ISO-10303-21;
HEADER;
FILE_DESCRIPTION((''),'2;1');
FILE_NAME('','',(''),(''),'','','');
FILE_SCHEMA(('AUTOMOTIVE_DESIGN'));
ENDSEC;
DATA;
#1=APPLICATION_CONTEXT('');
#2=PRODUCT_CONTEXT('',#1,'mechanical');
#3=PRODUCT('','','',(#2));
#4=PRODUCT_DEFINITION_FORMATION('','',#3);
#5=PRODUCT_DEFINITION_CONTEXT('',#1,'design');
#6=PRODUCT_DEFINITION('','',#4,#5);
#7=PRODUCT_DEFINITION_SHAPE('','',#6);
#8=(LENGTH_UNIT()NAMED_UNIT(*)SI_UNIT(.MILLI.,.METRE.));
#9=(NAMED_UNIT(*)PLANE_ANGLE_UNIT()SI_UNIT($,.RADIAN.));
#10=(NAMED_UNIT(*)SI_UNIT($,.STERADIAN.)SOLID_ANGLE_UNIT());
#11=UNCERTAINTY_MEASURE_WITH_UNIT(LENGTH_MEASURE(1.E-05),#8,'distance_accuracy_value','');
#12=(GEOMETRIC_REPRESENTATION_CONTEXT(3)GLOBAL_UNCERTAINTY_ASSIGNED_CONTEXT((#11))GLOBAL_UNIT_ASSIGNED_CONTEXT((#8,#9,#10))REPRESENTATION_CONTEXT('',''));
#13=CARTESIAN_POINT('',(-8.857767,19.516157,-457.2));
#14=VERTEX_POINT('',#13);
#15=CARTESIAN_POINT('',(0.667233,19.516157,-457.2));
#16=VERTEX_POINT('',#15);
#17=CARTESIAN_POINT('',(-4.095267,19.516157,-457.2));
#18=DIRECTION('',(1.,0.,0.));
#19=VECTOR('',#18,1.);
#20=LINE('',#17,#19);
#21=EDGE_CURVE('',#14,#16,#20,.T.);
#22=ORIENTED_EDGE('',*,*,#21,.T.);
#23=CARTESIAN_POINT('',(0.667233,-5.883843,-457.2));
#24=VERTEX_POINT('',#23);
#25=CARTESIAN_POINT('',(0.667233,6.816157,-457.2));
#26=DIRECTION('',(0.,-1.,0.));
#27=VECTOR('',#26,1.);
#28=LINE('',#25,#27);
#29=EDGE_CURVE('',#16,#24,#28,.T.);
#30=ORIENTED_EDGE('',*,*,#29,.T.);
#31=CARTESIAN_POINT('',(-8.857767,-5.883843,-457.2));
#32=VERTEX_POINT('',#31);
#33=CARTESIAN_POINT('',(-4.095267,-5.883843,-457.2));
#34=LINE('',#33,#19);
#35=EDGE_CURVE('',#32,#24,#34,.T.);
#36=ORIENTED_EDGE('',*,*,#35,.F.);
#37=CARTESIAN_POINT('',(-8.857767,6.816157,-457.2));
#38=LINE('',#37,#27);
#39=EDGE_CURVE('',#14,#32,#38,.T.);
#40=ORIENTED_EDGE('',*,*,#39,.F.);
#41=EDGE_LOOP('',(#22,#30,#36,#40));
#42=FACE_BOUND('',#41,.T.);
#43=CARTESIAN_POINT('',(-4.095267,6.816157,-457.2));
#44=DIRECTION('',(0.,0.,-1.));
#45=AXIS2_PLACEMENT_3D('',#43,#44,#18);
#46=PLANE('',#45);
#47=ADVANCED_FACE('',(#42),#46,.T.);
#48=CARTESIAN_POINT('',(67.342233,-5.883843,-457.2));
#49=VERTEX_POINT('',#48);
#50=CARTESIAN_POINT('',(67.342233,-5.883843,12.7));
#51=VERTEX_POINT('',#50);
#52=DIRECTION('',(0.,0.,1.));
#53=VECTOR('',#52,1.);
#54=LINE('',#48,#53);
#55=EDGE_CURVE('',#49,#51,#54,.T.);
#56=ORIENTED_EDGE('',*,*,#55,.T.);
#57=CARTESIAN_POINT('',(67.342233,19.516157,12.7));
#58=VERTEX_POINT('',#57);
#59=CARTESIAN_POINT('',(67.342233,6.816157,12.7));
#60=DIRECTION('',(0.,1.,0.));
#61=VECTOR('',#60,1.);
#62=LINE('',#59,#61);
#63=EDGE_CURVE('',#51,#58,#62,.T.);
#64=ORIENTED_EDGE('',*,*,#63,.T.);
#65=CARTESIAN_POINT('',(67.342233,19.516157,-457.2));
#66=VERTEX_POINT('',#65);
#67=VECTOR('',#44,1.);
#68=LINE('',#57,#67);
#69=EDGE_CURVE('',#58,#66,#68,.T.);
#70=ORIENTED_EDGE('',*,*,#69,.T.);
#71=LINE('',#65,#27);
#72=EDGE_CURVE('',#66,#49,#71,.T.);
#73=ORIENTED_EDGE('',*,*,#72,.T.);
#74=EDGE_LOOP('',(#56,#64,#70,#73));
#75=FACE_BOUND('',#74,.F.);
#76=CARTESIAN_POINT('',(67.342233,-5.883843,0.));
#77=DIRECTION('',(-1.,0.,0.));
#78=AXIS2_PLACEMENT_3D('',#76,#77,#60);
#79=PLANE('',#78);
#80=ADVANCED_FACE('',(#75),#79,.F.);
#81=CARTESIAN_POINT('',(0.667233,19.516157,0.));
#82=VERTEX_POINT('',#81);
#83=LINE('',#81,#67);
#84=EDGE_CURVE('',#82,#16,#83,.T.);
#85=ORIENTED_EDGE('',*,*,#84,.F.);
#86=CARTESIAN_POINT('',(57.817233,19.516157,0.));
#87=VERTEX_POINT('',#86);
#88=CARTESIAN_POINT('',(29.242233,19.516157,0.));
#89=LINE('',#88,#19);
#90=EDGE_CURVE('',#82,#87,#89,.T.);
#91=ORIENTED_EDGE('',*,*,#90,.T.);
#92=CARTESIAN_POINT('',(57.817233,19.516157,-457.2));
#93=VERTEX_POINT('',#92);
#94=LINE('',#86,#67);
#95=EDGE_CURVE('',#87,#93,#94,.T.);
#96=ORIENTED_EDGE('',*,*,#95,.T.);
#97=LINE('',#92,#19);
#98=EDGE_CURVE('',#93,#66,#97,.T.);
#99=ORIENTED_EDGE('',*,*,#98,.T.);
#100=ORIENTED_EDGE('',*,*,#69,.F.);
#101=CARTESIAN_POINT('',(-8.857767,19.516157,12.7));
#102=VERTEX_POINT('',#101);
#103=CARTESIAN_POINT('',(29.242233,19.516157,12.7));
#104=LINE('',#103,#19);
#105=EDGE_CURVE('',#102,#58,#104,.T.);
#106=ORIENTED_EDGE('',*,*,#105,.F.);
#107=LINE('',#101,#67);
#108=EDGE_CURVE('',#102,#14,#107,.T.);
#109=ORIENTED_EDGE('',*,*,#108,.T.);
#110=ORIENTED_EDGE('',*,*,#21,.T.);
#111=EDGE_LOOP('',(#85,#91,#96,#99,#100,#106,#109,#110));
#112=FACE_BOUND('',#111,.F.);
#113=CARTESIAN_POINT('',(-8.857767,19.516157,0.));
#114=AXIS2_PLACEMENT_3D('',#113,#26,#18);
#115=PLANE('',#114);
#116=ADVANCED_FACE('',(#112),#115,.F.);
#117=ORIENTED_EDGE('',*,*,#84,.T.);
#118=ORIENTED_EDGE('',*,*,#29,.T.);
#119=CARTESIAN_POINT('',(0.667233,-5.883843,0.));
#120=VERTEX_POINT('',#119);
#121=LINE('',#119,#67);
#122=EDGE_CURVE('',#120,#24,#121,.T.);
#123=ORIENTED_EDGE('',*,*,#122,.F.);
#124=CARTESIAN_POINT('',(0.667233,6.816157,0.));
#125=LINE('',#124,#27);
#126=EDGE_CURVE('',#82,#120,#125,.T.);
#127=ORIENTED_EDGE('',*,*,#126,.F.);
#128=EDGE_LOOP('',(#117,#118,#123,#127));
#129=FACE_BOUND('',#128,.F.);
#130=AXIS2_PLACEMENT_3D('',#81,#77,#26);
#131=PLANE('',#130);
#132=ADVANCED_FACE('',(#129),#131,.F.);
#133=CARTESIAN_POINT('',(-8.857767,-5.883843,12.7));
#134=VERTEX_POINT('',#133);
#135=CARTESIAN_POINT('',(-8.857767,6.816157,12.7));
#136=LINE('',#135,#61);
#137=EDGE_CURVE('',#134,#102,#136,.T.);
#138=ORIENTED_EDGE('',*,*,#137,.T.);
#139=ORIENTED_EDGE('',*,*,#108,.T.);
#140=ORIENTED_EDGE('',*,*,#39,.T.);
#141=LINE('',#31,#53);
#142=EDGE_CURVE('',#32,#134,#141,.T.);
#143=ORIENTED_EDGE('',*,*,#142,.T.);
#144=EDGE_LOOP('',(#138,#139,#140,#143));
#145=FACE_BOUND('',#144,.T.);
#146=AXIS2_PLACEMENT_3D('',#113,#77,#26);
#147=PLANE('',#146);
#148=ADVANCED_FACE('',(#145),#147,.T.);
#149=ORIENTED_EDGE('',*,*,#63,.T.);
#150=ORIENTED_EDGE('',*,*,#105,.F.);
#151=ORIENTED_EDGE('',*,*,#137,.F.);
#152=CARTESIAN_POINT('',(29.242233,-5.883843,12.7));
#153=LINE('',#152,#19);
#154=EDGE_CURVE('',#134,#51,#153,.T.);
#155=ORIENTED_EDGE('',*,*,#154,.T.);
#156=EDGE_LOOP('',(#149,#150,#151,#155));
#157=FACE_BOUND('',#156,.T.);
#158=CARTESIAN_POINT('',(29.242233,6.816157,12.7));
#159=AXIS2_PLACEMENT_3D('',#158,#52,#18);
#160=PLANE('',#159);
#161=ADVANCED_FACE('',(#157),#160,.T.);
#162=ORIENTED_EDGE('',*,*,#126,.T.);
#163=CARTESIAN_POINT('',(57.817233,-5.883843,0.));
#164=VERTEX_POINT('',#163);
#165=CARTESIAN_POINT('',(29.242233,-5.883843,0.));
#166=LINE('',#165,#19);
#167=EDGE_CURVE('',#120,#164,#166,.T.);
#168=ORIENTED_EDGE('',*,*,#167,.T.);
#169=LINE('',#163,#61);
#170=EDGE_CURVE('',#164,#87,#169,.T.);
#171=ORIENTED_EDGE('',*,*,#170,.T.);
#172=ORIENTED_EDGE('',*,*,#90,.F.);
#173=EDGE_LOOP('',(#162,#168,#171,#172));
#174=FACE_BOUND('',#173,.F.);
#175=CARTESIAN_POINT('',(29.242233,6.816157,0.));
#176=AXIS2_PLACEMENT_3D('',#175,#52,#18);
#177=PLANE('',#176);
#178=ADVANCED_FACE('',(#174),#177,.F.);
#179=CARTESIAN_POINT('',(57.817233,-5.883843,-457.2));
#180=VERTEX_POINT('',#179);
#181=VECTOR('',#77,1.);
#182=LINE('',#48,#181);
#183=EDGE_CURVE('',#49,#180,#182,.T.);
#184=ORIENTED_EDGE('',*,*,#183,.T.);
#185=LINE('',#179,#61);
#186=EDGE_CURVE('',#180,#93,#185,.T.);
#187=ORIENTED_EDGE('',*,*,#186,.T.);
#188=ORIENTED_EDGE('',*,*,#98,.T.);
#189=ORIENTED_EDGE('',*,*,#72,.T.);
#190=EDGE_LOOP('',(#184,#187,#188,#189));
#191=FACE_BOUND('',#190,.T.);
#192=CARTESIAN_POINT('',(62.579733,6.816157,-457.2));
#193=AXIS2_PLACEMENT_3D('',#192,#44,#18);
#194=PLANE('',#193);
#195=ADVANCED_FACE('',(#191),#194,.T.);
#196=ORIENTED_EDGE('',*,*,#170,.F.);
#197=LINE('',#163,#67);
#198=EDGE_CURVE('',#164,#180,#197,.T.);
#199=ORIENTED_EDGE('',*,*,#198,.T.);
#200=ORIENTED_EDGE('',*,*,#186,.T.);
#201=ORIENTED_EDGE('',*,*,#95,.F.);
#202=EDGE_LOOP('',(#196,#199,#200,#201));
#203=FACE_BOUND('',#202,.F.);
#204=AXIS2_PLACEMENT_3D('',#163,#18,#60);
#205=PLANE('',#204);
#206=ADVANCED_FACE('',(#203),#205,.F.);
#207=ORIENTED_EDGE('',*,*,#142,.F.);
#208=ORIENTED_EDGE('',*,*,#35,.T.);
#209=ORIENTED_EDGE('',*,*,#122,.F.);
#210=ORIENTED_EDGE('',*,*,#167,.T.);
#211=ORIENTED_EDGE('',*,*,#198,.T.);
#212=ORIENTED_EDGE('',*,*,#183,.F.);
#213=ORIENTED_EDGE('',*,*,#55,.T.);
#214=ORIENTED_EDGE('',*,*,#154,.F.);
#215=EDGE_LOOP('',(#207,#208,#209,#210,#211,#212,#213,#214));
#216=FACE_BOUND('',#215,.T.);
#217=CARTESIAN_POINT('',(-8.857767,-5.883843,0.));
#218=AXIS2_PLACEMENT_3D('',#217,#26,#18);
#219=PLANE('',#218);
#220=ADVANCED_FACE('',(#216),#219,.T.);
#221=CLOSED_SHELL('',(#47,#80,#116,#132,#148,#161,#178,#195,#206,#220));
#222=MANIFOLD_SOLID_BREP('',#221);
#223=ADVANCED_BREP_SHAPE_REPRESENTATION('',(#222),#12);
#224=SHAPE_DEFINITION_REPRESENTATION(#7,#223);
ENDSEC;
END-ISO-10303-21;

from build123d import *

# Parameters (mm, degrees)
F0_W     = 76.2
F0_H     = 25.4
F1_DEPTH = 12.7
F2_W     = 9.525
F2_H     = 25.4
F3_DEPTH = 457.2


with BuildPart() as f1:
    # F0 (on Top) → F1 (new body)
    with BuildSketch(Plane.XY):
        with Locations((29.242233, 6.816157)):
            Rectangle(F0_W, F0_H)
    extrude(amount=F1_DEPTH)

    # F2 (on face) → F3 (join)
    with BuildSketch(Plane(origin=(0, 0, 0), x_dir=(1, 0, 0), z_dir=(0, 0, -1))):
        with Locations((-4.095267, -6.816157)):
            Rectangle(F2_W, F2_H)
        Polygon((57.817233, 4.298586), (57.817233, -19.516157), (67.342233, -19.516157), (67.342233, 5.883843), (57.817233, 5.883843), align=None)
    extrude(amount=F3_DEPTH)


solid = f1.part
